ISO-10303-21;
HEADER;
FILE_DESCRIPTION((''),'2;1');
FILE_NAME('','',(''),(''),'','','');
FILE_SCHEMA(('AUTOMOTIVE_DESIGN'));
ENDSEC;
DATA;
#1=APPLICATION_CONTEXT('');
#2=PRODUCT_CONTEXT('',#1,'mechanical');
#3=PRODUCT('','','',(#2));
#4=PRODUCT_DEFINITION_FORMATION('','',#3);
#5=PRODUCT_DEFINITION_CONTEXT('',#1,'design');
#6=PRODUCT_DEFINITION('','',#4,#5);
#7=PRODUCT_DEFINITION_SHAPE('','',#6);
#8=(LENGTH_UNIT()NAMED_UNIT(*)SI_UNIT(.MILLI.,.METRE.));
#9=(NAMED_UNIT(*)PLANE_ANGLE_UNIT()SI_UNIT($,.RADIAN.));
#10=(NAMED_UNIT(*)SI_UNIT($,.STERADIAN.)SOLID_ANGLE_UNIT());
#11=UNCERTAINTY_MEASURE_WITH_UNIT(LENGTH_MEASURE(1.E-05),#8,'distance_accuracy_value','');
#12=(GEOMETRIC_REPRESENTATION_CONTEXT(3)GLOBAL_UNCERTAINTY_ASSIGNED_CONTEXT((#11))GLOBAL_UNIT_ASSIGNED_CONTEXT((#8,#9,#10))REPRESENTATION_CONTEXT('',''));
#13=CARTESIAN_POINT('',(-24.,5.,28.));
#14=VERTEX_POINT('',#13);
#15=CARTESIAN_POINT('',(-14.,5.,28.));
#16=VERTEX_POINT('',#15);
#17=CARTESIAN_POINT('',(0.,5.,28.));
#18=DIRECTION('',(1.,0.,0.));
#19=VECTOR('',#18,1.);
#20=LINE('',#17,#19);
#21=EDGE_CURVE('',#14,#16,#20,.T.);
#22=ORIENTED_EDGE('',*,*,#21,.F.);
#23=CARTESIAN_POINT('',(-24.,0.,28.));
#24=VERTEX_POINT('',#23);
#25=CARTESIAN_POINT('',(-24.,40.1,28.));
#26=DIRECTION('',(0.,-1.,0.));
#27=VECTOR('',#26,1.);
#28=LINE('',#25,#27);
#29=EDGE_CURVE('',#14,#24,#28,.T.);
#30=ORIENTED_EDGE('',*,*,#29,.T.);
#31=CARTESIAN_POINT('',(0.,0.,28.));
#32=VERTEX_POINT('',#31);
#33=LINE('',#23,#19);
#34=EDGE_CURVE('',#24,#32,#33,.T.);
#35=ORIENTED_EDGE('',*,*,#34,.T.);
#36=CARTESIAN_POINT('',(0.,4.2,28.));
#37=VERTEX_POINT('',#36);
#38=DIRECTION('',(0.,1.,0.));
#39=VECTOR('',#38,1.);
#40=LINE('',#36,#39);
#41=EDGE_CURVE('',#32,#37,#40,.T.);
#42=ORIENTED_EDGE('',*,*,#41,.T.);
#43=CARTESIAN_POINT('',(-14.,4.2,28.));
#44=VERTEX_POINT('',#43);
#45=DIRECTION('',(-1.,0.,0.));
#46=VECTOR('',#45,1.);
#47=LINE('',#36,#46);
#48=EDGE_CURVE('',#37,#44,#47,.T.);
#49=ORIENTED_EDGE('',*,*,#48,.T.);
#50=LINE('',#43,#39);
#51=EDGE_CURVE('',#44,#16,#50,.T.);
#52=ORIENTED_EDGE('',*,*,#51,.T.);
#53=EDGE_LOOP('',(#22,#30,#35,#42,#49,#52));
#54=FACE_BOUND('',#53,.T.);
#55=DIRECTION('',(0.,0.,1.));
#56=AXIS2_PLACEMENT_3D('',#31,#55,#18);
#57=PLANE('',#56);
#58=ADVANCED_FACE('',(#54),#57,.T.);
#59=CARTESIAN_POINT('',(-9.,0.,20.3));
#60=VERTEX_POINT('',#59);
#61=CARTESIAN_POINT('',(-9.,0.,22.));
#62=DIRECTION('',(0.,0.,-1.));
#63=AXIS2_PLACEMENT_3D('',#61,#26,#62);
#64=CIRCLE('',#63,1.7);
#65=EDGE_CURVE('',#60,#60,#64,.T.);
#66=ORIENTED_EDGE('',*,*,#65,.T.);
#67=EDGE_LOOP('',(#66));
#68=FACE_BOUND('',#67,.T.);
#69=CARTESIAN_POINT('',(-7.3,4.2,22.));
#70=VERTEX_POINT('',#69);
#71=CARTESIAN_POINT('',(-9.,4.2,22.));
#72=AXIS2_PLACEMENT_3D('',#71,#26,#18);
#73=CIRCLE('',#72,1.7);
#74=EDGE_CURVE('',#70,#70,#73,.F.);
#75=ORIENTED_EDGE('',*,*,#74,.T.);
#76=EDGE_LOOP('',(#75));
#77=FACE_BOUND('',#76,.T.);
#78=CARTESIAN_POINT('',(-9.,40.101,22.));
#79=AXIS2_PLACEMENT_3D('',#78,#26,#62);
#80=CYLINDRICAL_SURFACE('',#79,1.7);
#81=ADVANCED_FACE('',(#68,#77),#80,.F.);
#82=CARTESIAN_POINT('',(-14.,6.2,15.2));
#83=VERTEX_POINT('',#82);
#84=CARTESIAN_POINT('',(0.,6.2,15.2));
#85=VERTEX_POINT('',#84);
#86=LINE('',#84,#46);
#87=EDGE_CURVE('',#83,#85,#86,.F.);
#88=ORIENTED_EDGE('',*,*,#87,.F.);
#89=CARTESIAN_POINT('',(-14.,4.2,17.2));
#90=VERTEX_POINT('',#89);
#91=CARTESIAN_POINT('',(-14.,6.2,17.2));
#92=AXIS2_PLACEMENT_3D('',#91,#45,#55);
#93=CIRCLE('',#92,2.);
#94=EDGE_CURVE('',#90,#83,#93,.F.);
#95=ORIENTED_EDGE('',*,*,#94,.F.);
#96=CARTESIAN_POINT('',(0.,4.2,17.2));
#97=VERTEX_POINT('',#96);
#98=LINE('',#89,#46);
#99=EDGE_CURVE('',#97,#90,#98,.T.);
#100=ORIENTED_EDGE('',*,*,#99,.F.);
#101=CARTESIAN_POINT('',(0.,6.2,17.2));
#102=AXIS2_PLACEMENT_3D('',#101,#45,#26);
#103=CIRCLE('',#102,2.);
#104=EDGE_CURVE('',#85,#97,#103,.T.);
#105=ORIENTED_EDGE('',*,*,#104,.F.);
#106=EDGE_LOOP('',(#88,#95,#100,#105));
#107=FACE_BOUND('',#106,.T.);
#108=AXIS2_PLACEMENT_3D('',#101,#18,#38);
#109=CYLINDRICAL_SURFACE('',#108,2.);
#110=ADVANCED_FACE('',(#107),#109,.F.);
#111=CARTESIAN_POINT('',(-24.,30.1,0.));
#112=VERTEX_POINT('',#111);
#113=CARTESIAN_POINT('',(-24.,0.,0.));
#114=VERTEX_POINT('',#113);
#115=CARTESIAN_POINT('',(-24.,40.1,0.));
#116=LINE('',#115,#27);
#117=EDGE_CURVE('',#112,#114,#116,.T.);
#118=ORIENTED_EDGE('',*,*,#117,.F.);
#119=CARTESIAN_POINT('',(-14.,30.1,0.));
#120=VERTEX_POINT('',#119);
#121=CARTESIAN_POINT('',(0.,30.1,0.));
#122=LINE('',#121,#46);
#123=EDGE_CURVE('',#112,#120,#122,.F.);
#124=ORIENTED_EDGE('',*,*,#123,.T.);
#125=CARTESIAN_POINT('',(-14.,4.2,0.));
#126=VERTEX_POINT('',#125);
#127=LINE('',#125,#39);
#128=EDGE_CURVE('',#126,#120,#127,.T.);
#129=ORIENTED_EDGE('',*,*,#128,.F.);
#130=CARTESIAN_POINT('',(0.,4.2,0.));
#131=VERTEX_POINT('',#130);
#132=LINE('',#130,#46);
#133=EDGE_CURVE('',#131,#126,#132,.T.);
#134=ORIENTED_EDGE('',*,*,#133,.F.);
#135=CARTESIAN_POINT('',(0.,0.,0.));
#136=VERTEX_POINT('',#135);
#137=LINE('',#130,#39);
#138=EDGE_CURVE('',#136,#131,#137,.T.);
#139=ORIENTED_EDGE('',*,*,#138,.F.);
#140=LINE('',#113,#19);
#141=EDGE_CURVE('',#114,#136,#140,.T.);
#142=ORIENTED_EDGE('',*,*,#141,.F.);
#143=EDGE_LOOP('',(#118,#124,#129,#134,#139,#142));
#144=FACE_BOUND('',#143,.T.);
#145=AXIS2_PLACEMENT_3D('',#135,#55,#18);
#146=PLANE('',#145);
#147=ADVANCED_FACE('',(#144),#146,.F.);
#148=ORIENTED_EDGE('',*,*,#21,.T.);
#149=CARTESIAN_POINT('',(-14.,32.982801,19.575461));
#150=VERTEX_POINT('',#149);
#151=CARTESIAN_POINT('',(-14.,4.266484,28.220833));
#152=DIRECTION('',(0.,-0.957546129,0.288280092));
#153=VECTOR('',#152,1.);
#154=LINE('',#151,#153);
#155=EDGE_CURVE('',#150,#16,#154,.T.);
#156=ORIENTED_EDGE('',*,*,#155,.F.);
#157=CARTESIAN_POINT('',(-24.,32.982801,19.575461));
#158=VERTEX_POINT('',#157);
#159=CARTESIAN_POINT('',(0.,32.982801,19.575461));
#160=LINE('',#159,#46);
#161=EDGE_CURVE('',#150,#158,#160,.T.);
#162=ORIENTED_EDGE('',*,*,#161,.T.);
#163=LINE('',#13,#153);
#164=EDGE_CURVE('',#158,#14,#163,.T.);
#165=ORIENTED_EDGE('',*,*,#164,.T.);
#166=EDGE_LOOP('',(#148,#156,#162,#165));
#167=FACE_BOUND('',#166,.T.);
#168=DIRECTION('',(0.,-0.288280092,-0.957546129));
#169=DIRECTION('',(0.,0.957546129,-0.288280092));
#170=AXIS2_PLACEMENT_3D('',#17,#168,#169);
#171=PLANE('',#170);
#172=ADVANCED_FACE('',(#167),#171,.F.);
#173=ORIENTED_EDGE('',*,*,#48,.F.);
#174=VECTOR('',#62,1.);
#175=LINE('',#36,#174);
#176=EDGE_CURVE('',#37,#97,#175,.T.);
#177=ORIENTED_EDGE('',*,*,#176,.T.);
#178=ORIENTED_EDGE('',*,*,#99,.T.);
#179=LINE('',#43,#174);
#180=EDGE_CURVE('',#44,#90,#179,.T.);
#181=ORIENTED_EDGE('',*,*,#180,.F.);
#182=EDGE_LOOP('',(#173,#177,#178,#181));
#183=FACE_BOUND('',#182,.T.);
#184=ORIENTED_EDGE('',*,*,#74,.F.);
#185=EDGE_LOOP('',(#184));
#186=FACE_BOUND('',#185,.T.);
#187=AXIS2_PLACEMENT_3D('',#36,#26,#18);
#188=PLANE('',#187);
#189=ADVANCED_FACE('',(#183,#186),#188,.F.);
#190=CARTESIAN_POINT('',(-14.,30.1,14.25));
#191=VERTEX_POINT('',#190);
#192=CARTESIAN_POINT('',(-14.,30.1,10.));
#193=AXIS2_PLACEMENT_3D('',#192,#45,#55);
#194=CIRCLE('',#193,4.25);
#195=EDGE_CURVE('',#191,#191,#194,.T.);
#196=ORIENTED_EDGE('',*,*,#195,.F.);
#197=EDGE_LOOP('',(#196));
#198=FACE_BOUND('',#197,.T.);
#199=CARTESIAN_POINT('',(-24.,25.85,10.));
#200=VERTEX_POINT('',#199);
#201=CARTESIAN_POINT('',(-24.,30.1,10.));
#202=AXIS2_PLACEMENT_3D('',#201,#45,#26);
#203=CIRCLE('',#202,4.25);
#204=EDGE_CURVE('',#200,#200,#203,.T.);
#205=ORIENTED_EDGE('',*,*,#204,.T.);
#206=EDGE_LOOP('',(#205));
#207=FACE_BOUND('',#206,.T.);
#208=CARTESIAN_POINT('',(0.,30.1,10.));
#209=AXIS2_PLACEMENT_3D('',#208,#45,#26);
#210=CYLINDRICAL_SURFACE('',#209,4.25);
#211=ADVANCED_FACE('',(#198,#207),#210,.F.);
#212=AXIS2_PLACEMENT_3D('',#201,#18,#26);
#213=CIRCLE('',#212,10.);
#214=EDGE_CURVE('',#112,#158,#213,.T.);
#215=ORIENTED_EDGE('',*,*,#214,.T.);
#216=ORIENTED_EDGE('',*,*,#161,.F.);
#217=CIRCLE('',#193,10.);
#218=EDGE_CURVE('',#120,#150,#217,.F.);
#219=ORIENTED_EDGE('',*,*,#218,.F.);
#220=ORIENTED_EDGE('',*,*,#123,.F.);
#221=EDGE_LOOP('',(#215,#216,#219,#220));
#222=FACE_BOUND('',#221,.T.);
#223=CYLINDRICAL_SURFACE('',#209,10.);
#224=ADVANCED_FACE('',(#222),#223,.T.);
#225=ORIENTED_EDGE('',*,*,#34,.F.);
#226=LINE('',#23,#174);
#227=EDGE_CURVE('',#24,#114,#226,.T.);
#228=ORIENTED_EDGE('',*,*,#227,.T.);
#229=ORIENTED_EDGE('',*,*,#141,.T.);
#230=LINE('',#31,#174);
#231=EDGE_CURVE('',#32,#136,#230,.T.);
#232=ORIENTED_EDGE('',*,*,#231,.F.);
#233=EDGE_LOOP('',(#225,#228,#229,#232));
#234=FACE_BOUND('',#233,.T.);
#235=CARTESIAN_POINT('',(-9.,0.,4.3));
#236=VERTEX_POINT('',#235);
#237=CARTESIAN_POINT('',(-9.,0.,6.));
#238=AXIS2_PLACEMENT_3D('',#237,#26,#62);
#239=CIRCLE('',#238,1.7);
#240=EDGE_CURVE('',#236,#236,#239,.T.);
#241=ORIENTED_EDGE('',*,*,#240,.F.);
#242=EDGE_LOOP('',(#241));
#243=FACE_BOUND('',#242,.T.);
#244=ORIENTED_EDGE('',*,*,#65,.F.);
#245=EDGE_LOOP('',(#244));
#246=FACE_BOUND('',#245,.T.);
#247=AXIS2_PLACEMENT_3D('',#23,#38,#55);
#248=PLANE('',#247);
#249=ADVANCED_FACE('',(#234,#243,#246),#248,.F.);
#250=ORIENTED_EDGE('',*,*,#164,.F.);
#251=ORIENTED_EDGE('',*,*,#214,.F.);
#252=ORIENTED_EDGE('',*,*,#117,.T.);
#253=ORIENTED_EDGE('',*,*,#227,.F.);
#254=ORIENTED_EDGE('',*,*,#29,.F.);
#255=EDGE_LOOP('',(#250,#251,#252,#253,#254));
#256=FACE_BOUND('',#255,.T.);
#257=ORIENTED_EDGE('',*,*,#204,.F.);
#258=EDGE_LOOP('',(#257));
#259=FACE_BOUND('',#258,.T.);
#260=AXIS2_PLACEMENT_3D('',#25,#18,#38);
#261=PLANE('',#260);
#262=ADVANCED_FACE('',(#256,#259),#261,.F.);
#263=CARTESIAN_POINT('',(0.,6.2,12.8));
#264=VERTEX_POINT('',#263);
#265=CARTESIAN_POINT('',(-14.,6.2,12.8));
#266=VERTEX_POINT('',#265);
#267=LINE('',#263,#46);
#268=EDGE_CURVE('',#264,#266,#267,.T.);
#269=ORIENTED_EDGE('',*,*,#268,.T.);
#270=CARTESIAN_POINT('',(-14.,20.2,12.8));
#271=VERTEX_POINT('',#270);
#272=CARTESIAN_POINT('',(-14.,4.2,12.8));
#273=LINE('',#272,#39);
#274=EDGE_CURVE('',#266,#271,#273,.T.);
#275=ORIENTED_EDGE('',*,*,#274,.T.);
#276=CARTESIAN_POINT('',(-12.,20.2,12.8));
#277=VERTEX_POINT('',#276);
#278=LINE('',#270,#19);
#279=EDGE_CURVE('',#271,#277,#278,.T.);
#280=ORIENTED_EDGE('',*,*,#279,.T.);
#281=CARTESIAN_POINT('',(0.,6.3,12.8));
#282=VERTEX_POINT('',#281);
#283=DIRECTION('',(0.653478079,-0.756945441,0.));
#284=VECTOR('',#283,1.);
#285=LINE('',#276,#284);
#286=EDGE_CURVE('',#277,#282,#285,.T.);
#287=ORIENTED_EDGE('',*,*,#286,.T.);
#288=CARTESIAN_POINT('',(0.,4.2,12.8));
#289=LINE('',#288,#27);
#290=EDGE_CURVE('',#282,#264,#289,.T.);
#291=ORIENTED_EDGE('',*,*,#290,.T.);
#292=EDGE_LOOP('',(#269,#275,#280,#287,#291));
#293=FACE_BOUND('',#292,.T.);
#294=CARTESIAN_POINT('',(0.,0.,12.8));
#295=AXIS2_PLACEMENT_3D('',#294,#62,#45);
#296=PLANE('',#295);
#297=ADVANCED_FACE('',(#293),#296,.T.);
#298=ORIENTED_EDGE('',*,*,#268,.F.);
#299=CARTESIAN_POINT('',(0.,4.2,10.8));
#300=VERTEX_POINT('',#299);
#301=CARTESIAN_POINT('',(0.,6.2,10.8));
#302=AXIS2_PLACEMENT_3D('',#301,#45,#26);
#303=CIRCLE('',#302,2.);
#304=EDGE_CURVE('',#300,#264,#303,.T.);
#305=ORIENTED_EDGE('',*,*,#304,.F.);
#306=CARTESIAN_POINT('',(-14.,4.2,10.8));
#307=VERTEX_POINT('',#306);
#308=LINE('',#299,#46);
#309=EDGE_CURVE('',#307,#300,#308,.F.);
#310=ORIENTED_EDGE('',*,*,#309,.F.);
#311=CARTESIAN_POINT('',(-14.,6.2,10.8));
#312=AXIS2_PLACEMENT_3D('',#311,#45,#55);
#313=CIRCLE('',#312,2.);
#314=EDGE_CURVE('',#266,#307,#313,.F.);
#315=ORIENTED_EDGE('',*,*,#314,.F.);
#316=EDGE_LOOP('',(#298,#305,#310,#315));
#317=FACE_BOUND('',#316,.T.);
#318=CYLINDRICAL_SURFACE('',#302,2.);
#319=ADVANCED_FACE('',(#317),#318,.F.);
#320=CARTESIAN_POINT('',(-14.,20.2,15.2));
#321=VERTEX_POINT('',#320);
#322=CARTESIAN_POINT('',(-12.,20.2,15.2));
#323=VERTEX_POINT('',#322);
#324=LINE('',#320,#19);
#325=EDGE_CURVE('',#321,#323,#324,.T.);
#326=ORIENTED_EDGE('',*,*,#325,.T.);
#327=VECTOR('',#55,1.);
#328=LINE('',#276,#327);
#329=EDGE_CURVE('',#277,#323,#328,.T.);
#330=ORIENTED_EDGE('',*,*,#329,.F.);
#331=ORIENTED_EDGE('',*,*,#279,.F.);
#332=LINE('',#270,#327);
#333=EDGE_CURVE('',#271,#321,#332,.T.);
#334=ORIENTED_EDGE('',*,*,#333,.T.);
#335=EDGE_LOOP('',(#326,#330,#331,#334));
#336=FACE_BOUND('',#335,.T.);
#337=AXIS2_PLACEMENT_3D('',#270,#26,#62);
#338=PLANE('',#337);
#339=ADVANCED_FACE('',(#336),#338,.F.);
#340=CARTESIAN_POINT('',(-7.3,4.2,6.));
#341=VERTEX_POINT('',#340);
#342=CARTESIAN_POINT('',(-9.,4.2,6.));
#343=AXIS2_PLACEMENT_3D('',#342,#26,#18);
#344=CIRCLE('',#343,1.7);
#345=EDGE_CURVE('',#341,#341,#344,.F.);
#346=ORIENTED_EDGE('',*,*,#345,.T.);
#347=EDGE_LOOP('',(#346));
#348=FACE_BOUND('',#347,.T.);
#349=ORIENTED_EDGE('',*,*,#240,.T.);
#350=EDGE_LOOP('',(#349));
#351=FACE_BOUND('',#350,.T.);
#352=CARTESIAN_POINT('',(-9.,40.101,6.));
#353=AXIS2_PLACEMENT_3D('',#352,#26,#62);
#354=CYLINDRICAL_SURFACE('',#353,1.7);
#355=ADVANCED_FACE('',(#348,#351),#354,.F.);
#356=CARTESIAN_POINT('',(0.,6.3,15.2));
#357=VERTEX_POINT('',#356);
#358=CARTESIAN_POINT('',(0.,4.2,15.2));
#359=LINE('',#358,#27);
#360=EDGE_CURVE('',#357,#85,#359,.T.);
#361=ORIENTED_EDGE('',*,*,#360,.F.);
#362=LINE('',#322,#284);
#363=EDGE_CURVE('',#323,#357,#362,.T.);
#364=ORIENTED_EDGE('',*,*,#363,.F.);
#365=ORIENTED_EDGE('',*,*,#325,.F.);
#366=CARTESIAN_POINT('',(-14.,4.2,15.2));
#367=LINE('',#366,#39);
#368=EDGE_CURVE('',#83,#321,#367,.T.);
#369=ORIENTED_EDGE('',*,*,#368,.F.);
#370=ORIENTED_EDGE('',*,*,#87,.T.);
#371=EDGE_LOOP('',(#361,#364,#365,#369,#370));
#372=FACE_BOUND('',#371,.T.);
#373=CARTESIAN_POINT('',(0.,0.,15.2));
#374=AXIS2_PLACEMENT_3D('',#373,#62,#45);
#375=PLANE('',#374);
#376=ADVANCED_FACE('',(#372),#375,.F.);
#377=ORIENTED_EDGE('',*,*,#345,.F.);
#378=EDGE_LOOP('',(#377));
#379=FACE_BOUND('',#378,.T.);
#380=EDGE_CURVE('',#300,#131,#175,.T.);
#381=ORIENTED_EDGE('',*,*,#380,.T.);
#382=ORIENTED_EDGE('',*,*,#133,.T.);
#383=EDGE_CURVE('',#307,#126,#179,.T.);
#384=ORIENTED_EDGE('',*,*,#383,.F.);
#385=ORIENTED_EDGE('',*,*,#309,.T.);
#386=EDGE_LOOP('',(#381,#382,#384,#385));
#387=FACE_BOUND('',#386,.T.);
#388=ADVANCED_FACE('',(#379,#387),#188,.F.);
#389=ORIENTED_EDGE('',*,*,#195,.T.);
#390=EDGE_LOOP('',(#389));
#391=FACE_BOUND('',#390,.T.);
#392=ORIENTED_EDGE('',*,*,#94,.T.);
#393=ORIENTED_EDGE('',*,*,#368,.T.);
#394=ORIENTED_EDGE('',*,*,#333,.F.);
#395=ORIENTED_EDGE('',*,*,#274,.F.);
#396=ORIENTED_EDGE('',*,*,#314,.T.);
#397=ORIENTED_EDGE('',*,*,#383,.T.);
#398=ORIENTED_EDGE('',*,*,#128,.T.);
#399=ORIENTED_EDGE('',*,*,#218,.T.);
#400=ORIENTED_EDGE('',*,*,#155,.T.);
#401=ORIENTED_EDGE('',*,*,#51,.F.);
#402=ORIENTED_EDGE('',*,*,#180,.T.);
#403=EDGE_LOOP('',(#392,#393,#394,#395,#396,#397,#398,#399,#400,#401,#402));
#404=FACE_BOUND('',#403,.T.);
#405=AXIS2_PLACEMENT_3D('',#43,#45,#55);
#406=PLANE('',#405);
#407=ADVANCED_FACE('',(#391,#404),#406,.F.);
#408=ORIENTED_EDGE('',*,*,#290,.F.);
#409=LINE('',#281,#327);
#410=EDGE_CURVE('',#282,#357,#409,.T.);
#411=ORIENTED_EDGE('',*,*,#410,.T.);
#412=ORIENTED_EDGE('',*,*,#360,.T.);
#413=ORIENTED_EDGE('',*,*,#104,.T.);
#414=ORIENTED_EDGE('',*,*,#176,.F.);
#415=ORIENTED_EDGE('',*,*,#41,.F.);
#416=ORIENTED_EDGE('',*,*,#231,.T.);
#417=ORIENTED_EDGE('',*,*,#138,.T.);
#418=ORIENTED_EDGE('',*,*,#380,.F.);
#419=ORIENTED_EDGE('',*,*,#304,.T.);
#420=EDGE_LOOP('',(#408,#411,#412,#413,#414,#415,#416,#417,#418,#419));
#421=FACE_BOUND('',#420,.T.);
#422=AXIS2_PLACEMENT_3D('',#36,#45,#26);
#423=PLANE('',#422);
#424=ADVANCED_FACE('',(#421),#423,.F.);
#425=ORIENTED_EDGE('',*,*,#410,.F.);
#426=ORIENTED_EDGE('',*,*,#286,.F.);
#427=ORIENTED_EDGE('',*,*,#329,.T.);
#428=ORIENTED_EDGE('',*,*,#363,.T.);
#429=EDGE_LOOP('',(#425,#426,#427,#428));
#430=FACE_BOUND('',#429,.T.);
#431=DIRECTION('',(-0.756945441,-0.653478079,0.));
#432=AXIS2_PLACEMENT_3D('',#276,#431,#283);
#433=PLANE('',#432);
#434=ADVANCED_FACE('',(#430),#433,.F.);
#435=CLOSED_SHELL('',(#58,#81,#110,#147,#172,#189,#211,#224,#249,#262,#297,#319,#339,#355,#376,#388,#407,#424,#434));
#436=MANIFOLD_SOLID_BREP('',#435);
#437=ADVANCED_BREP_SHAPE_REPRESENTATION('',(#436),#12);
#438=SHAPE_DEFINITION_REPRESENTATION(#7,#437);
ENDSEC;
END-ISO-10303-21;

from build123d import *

# Parameters (mm, degrees)
SALIENTE_EXTRUIR1_DEPTH = 28
CROQUIS2_R              = 4.25
CORTAR_EXTRUIR1_DEPTH   = 25
CORTAR_EXTRUIR2_REACH   = 42.1
CROQUIS3_R              = 1.7
SALIENTE_EXTRUIR2_DEPTH = 1.2
REDONDEO1_R             = 2


with BuildPart() as part:
    # Croquis1 → Saliente-Extruir1 (new body)
    with BuildSketch(Plane.XY):
        Polygon((0, 4.2), (-14, 4.2), (-14, 40.1), (-24, 40.1), (-24, 0), (0, 0), align=None)
    extrude(amount=SALIENTE_EXTRUIR1_DEPTH)

    # Croquis2 → Cortar-Extruir1 (cut, through all)
    with BuildSketch(Plane.ZY.offset(24)):
        with Locations((10, 30.1)):
            Circle(CROQUIS2_R)
        with BuildLine():
            Line((28, 5), (19.575461286, 32.982800922))
            ThreePointArc((19.575461286, 32.982800922), (8.54305334, 39.993296035), (0, 30.1))
            Line((0, 30.1), (0, 29.1))
            Line((0, 29.1), (-1, 29.1))
            Line((-1, 29.1), (-1, 41.1))
            Line((-1, 41.1), (29, 41.1))
            Line((29, 41.1), (29, 5))
            Line((29, 5), (28, 5))
        make_face()
    extrude(amount=-CORTAR_EXTRUIR1_DEPTH, mode=Mode.SUBTRACT)

    # Croquis3 → Cortar-Extruir2 (cut, up to next)
    with BuildSketch(Plane.XZ, mode=Mode.PRIVATE) as cortar_extruir2_sk1:
        with Locations((-9, 22)):
            Circle(CROQUIS3_R)
    cortar_extruir2_tool1 = extrude(cortar_extruir2_sk1.sketch, amount=-CORTAR_EXTRUIR2_REACH, mode=Mode.PRIVATE) & part.part
    add(cortar_extruir2_tool1.solids().sort_by_distance((-9, 0, 22))[0], mode=Mode.SUBTRACT)
    # Croquis3 → Cortar-Extruir2 (cut, up to next)
    with BuildSketch(Plane.XZ, mode=Mode.PRIVATE) as cortar_extruir2_sk2:
        with Locations((-9, 6)):
            Circle(CROQUIS3_R)
    cortar_extruir2_tool2 = extrude(cortar_extruir2_sk2.sketch, amount=-CORTAR_EXTRUIR2_REACH, mode=Mode.PRIVATE) & part.part
    add(cortar_extruir2_tool2.solids().sort_by_distance((-9, 0, 6))[0], mode=Mode.SUBTRACT)

    # Croquis4 → Saliente-Extruir2 (add, symmetric)
    with BuildSketch(Plane(origin=(0, 0, 14), x_dir=(-1, 0, 0), z_dir=(0, 0, -1))):
        Polygon((0, 4.2), (14, 4.2), (14, 20.2), (12, 20.2), (0, 6.3), align=None)
    extrude(amount=SALIENTE_EXTRUIR2_DEPTH, both=True)

    # Redondeo1
    redondeo1_edges = [part.edges().sort_by_distance(p)[0] for p in [
        (-7, 4.2, 15.2),
        (-7, 4.2, 12.8),
    ]]
    fillet(redondeo1_edges, radius=REDONDEO1_R)


solid = part.part
